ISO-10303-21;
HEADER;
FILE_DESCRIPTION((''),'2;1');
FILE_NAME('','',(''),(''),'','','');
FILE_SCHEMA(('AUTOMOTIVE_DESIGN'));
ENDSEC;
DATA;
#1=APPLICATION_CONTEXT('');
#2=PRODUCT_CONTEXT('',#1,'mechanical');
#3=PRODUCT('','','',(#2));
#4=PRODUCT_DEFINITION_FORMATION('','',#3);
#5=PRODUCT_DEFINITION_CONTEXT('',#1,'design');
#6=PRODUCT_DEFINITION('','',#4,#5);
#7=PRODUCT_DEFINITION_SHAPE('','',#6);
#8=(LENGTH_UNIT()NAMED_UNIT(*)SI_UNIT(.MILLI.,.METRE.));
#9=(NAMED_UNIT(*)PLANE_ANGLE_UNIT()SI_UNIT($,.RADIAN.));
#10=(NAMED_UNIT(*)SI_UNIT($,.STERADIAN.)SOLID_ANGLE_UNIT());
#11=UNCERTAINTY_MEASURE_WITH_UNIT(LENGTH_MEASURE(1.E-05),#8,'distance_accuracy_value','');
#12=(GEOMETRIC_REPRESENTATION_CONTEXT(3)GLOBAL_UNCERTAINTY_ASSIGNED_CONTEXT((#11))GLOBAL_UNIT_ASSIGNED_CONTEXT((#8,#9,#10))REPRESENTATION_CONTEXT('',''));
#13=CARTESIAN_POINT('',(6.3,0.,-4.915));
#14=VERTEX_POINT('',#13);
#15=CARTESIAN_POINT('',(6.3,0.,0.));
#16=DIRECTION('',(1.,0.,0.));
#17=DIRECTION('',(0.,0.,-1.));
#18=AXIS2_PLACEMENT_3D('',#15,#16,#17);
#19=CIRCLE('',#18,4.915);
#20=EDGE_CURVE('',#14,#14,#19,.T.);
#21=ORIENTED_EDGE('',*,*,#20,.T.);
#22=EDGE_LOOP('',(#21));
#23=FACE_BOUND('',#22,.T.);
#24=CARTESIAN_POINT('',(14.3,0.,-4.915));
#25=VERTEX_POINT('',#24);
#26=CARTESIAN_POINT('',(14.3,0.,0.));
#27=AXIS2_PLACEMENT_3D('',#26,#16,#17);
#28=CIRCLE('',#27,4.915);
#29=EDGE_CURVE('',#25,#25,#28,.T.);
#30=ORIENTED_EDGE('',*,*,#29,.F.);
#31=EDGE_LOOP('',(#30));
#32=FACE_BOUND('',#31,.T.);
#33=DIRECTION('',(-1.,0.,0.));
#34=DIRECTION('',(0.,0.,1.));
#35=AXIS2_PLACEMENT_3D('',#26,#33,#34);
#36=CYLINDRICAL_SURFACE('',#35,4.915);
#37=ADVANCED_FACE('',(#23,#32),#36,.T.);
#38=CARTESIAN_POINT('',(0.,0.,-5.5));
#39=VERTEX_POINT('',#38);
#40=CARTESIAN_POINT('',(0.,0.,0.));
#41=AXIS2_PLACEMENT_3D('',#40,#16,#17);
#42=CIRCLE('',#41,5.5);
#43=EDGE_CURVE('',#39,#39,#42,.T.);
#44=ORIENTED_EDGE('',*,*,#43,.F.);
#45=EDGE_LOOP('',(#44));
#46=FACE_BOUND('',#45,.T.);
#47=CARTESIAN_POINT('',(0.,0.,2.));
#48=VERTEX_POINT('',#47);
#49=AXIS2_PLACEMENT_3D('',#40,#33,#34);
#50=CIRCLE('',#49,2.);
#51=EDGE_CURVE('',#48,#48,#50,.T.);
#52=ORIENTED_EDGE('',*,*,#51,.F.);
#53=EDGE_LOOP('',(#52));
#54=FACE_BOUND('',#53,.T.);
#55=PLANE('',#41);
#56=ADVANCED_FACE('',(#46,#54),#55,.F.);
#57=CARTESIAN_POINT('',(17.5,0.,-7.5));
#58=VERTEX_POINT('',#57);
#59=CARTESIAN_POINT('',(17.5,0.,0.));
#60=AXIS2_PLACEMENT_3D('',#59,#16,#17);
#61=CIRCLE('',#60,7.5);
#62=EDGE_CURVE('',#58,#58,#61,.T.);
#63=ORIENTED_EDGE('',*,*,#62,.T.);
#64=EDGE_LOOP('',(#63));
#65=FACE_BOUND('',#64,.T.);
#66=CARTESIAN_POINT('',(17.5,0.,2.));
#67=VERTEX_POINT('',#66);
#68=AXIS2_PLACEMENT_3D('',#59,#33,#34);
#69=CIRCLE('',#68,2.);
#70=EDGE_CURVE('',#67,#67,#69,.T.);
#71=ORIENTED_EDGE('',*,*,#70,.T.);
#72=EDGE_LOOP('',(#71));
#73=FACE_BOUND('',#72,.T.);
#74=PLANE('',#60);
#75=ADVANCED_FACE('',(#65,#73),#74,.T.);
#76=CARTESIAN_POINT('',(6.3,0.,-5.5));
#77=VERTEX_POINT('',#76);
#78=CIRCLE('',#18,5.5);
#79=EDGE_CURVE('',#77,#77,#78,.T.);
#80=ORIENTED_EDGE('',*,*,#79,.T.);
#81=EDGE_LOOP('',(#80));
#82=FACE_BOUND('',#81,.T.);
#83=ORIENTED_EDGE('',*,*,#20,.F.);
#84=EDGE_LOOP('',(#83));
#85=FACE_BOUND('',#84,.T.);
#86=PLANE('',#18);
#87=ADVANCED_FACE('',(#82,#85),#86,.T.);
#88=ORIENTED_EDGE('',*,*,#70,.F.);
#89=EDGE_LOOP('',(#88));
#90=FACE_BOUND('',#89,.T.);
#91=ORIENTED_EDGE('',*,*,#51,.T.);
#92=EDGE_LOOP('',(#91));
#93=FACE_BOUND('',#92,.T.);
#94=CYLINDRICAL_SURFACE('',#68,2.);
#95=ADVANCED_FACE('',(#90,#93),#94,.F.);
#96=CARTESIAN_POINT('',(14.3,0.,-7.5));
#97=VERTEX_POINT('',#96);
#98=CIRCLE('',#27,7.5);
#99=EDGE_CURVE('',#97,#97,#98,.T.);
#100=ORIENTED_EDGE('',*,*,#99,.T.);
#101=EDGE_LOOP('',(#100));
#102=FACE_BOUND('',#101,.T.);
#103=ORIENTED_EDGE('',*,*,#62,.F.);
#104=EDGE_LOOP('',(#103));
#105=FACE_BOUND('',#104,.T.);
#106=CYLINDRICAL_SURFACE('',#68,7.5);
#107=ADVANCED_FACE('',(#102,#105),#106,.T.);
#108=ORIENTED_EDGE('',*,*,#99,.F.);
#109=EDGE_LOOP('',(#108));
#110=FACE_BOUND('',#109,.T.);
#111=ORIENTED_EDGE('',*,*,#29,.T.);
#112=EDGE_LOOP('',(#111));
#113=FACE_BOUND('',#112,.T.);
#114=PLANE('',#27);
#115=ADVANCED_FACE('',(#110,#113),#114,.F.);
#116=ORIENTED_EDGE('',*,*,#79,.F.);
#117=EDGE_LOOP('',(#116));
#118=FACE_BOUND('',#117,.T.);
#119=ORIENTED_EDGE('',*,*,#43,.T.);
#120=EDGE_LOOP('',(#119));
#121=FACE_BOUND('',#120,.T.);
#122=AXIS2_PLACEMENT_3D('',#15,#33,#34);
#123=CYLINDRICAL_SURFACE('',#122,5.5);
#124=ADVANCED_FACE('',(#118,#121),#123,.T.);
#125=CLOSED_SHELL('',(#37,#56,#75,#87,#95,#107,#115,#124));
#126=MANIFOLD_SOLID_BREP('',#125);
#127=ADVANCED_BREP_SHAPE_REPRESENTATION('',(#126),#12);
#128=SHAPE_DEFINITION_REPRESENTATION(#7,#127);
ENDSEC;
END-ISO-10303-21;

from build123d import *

# Parameters (mm, degrees)
SKETCH1_R           = 5.5
BOSS_EXTRUDE1_DEPTH = 6.3
SKETCH2_R           = 4.915
BOSS_EXTRUDE2_DEPTH = 8
SKETCH3_R           = 7.5
BOSS_EXTRUDE3_DEPTH = 3.2
SKETCH5_R           = 2
CUT_EXTRUDE1_DEPTH  = 21.46338193


with BuildPart() as part:
    # Sketch1 → Boss-Extrude1 (new body)
    with BuildSketch(Plane(origin=(0, 0, 0), x_dir=(0, 0, -1), z_dir=(1, 0, 0))):
        Circle(SKETCH1_R)
    extrude(amount=BOSS_EXTRUDE1_DEPTH)

    # Sketch2 → Boss-Extrude2 (add)
    with BuildSketch(Plane(origin=(6.3, 0, 0), x_dir=(0, 0, -1), z_dir=(1, 0, 0))):
        Circle(SKETCH2_R)
    extrude(amount=BOSS_EXTRUDE2_DEPTH)

    # Sketch3 → Boss-Extrude3 (add)
    with BuildSketch(Plane(origin=(14.3, 0, 0), x_dir=(0, 0, -1), z_dir=(1, 0, 0))):
        Circle(SKETCH3_R)
    extrude(amount=BOSS_EXTRUDE3_DEPTH)

    # Sketch5 → Cut-Extrude1 (cut, through all)
    with BuildSketch(Plane.ZY):
        Circle(SKETCH5_R)
    extrude(amount=-CUT_EXTRUDE1_DEPTH, mode=Mode.SUBTRACT)


solid = part.part
